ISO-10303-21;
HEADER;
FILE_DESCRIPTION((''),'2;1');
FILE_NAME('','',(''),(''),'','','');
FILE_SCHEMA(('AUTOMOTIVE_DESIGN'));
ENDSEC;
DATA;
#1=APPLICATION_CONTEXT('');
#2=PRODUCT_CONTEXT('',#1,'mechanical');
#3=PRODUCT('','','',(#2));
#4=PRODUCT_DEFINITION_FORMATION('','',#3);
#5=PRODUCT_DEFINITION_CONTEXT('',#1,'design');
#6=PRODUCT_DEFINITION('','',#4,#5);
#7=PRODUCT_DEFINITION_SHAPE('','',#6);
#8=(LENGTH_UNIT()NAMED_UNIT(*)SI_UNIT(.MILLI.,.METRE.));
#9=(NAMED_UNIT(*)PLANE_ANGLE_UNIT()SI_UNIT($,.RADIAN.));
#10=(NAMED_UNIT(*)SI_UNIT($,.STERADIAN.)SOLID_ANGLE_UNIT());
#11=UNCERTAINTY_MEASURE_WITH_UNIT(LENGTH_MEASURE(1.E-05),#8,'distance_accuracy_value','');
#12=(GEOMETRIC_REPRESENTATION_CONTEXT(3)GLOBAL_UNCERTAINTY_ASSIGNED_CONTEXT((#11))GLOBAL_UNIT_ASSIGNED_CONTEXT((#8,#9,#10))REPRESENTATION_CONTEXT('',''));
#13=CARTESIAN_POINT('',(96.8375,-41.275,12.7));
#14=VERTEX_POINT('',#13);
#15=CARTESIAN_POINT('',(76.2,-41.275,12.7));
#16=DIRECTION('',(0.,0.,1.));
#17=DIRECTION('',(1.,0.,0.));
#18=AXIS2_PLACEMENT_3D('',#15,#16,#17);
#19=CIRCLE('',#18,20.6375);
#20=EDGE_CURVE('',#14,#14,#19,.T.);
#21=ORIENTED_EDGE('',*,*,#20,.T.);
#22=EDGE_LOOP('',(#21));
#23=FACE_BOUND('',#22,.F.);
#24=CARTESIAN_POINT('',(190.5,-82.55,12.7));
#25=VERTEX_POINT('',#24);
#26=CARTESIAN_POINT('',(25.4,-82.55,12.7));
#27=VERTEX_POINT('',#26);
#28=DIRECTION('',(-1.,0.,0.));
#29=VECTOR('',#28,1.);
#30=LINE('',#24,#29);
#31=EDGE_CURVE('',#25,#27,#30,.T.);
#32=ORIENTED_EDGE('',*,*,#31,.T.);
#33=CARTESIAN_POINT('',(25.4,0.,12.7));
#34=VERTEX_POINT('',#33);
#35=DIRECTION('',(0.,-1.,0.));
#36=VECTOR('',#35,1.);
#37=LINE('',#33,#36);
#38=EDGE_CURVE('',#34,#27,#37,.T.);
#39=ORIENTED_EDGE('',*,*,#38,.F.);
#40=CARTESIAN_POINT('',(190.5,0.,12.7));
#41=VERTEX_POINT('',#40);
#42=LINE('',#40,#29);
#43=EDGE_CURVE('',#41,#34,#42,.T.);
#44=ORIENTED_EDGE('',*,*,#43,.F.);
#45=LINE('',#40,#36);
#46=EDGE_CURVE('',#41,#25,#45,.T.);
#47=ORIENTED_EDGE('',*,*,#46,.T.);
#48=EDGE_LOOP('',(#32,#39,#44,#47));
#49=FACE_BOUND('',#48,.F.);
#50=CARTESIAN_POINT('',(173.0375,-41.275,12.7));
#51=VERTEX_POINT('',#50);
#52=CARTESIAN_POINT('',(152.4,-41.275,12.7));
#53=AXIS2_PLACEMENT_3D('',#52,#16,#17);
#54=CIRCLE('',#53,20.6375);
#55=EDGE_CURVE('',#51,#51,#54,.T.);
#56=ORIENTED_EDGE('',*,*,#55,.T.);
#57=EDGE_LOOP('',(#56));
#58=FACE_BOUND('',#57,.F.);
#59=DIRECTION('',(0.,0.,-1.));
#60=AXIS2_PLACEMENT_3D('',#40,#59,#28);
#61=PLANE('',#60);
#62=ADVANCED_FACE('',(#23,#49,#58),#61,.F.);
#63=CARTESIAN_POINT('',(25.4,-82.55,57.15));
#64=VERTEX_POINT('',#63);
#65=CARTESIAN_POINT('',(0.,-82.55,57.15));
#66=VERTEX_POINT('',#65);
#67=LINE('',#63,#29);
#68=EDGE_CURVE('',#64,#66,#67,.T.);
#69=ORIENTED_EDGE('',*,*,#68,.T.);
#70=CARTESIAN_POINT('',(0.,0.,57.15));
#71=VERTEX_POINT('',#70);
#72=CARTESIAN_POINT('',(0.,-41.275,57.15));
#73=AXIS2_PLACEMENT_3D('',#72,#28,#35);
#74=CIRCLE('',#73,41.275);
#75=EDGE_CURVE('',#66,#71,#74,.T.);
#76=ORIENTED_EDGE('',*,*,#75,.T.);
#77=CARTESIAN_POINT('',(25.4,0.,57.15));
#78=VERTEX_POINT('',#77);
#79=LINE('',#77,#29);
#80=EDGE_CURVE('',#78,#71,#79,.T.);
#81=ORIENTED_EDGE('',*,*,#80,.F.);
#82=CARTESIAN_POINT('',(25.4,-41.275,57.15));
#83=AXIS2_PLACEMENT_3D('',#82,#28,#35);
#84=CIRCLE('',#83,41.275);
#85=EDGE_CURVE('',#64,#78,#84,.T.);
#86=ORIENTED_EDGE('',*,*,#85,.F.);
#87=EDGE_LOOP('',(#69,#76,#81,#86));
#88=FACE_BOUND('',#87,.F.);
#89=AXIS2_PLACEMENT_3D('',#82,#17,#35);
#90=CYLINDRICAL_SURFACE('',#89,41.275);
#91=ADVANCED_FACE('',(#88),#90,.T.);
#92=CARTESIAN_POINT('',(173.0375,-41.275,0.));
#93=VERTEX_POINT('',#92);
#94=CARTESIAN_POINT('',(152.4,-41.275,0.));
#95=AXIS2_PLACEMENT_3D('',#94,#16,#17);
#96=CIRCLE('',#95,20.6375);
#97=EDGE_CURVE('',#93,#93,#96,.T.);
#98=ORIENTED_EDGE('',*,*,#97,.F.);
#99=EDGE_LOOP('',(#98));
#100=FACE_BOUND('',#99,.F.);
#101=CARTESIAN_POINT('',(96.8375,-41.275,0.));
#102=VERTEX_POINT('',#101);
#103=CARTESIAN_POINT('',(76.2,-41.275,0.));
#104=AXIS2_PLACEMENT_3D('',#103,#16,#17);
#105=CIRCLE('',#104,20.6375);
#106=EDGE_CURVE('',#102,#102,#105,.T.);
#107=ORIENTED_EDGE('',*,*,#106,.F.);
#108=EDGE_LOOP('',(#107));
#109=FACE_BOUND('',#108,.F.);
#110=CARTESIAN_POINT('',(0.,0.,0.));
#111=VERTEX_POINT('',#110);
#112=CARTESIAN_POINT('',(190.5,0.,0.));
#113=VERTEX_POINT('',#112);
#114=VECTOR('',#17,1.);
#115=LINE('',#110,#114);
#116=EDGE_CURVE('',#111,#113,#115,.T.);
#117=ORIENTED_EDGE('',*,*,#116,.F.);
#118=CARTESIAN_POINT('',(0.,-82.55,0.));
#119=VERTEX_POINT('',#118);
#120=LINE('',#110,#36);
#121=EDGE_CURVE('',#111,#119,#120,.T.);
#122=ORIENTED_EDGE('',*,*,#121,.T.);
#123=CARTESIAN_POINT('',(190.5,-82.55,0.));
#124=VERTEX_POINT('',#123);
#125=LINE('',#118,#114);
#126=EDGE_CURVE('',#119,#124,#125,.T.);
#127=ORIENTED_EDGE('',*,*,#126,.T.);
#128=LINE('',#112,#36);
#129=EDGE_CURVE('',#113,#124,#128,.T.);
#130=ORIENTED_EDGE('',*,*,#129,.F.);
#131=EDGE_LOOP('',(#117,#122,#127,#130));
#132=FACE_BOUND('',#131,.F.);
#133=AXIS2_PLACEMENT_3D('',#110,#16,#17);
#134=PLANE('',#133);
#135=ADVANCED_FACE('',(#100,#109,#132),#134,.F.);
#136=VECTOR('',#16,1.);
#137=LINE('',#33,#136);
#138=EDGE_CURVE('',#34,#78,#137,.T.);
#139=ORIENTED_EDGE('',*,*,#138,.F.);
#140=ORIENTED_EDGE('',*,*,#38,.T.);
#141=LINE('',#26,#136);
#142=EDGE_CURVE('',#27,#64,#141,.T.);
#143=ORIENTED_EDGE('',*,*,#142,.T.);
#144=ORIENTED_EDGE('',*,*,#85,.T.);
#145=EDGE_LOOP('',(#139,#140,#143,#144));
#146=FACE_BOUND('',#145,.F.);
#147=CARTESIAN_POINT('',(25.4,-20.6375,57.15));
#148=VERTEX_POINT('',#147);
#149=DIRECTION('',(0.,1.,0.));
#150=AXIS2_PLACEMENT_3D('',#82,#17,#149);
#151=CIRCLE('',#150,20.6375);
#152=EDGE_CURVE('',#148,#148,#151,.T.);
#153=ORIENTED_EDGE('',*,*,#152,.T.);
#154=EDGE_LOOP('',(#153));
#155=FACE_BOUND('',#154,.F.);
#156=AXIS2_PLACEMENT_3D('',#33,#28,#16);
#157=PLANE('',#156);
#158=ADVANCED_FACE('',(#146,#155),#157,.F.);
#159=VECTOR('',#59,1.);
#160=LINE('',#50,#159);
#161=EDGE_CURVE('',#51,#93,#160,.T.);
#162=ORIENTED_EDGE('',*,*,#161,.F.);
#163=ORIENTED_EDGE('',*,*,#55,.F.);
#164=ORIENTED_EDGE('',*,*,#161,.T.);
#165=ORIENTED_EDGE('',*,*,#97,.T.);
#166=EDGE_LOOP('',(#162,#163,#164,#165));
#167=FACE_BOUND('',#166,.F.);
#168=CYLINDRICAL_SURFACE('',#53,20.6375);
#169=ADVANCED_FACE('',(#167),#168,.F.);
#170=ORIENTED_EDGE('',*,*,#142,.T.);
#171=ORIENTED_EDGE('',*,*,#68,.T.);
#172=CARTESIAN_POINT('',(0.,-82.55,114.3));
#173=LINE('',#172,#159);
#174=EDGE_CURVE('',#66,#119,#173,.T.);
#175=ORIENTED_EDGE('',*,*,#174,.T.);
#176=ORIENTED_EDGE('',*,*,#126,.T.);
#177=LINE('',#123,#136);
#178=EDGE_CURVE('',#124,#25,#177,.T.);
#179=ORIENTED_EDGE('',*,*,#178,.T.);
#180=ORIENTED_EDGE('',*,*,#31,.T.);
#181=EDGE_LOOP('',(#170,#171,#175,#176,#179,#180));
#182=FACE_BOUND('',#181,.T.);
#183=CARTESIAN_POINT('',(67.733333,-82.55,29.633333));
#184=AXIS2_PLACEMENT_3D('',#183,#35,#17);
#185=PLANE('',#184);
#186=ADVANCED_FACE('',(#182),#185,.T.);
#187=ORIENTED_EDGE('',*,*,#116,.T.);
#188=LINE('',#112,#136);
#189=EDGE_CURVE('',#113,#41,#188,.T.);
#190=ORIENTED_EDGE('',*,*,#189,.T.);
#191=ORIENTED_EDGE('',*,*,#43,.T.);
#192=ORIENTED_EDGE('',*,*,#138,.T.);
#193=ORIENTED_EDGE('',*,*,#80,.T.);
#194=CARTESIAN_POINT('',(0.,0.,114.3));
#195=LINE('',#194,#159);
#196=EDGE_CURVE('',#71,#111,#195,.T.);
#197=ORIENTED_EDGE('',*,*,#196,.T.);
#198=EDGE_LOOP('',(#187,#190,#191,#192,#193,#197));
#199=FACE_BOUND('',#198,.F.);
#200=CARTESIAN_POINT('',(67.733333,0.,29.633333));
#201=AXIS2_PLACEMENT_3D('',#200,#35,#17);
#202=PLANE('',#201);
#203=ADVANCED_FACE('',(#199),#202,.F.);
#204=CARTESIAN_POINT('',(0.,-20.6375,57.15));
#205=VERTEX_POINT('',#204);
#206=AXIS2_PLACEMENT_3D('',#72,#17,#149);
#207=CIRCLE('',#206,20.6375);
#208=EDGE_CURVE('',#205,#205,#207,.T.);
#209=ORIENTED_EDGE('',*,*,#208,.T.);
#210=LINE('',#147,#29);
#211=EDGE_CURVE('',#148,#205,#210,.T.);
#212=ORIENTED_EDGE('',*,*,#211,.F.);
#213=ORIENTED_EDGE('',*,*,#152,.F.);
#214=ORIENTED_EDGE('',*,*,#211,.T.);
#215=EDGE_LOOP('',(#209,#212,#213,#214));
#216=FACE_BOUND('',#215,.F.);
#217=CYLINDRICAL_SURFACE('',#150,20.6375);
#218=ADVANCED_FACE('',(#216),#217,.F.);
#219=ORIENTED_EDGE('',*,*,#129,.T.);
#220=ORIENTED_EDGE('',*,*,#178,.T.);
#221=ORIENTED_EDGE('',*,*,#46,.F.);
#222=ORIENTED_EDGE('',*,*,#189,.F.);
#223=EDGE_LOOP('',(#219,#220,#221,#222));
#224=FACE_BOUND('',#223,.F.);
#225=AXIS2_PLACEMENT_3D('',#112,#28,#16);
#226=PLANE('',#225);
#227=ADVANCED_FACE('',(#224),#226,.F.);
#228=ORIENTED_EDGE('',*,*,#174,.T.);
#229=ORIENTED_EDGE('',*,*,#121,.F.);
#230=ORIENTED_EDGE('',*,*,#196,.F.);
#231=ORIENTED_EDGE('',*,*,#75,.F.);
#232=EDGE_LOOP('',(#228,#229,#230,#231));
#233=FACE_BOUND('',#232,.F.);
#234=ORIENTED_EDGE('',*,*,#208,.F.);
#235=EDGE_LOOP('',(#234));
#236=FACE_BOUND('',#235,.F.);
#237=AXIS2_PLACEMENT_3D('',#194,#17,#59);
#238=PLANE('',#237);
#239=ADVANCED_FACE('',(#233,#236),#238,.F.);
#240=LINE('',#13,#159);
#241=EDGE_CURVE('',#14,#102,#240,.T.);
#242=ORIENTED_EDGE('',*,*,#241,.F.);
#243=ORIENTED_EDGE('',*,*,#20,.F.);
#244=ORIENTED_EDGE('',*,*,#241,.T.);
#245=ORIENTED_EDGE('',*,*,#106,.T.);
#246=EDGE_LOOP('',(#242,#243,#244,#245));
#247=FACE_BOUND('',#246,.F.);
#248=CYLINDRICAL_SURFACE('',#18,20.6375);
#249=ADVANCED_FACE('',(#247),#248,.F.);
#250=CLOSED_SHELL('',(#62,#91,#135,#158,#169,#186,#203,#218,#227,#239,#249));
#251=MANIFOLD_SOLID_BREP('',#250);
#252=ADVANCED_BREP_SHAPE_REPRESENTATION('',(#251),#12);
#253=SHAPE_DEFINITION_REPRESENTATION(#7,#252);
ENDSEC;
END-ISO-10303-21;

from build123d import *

# Parameters (mm, degrees)
F1_DEPTH = 82.55
F3_DEPTH = 25.4
F4_R     = 20.6375
F5_DEPTH = 25.4
F6_R     = 20.6375
F7_DEPTH = 25.4


with BuildPart() as f1:
    # F0 (on Front) → F1 (new body)
    with BuildSketch(Plane.XZ):
        Polygon((0, 114.3), (0, 0), (190.5, 0), (190.5, 12.7), (25.4, 12.7), (25.4, 114.3), align=None)
    extrude(amount=F1_DEPTH)

    # F2 (on face) → F3 (cut)
    with BuildSketch(Plane.YZ.offset(25.4)):
        with BuildLine():
            ThreePointArc((-82.55, 57.15), (-41.275, 98.425), (0, 57.15))
            Line((0, 57.15), (0, 114.3))
            Line((0, 114.3), (-82.55, 114.3))
            Line((-82.55, 114.3), (-82.55, 57.15))
        make_face()
    extrude(amount=-F3_DEPTH, mode=Mode.SUBTRACT)

    # F4 (on face) → F5 (cut, through all)
    with BuildSketch(Plane.YZ.offset(25.4)):
        with Locations((-41.275, 57.15)):
            Circle(F4_R)
    extrude(amount=-F5_DEPTH, mode=Mode.SUBTRACT)

    # F6 (on face) → F7 (cut)
    with BuildSketch(Plane.XY.offset(12.7)):
        with Locations((76.2, -41.275)):
            Circle(F6_R)
        with Locations((152.4, -41.275)):
            Circle(F6_R)
    extrude(amount=-F7_DEPTH, mode=Mode.SUBTRACT)


solid = f1.part
